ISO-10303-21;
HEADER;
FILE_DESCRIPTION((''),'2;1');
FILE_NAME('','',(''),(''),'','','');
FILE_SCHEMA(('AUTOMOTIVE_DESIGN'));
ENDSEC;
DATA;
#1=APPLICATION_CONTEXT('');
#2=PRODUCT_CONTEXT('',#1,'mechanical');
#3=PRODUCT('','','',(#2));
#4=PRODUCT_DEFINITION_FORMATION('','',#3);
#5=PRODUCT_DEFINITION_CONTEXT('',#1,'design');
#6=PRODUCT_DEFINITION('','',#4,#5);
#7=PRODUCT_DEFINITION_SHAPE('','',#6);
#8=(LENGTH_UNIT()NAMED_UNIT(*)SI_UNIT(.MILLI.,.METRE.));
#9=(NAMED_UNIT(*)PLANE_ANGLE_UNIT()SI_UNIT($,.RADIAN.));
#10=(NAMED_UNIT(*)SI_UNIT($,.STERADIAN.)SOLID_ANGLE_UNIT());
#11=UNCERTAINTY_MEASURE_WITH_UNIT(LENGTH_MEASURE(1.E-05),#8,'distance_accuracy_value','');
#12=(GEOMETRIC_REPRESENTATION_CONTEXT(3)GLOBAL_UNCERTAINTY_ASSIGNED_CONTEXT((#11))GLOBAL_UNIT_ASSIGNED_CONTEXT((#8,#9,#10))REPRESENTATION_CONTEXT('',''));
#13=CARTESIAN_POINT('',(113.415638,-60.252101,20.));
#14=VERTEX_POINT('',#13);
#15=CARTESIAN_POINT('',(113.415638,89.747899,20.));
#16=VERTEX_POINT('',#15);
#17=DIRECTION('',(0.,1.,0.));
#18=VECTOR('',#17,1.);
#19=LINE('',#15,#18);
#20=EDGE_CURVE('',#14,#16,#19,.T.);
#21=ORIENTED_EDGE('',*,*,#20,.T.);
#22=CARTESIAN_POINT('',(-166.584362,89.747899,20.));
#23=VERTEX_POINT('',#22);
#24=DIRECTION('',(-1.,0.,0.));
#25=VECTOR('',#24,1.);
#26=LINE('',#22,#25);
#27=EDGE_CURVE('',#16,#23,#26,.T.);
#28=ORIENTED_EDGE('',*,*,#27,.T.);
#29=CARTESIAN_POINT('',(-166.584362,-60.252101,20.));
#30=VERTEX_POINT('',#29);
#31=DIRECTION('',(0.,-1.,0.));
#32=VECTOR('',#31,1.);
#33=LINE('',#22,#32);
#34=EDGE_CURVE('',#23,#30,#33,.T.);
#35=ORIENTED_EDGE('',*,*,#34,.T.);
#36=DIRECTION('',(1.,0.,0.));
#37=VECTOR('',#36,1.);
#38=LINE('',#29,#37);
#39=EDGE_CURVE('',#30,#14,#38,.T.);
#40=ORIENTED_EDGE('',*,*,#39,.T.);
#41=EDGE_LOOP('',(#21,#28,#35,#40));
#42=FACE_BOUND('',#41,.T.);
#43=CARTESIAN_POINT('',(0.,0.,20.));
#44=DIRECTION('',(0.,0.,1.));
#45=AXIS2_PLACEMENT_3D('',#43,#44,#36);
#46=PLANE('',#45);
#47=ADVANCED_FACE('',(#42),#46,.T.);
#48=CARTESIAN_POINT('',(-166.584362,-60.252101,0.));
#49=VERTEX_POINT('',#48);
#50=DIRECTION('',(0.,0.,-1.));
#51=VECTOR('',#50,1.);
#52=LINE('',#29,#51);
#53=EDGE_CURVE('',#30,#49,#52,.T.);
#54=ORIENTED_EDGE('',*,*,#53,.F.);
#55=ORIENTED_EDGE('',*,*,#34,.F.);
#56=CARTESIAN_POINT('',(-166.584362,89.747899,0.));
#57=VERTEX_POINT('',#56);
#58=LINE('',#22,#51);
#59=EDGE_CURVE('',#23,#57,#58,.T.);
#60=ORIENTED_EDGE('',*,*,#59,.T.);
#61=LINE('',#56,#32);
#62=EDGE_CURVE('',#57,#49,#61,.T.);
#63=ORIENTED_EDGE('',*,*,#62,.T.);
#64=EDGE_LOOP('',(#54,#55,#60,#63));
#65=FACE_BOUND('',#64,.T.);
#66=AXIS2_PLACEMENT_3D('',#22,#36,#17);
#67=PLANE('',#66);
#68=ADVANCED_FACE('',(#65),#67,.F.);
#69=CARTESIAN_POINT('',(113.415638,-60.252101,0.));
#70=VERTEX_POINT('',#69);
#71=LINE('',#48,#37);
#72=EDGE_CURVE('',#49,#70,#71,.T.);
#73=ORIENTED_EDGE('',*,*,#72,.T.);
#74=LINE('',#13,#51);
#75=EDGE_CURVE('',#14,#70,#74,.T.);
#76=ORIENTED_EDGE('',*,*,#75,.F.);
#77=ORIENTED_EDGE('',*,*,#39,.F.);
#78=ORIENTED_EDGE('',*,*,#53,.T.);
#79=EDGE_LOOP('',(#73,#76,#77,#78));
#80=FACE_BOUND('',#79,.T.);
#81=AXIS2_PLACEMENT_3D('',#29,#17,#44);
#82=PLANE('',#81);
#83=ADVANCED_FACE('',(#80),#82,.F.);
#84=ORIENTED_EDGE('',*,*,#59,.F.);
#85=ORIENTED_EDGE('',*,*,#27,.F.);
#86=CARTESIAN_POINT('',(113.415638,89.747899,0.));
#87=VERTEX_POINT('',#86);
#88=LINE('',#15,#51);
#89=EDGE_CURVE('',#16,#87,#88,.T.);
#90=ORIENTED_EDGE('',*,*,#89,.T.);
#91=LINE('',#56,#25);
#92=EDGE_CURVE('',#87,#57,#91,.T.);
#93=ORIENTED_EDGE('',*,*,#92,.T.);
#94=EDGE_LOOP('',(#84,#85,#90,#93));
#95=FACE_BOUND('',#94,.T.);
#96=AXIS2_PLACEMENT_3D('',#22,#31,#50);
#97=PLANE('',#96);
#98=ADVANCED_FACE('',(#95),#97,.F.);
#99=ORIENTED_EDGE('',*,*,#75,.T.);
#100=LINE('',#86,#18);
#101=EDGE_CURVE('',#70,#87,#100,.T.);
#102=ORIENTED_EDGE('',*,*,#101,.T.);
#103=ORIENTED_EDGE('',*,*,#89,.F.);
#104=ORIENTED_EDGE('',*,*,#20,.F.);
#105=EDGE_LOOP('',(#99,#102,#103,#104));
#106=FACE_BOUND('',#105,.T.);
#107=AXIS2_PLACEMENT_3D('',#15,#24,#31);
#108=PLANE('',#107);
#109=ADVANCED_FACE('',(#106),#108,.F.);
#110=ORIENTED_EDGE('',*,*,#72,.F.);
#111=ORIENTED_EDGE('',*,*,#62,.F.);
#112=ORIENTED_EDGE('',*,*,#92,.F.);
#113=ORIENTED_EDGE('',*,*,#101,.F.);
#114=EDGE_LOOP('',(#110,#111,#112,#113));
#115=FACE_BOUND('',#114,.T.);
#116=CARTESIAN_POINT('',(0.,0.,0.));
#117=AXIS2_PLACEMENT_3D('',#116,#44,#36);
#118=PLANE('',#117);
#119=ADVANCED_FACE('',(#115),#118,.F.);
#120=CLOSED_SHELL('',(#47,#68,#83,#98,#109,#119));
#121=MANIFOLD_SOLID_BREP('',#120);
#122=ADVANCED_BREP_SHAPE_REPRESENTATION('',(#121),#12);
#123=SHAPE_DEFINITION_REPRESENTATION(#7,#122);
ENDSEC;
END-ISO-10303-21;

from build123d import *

# Parameters (mm, degrees)
CROQUIS1_W              = 280
CROQUIS1_H              = 150
SALIENTE_EXTRUIR1_DEPTH = 20


with BuildPart() as part:
    # Croquis1 → Saliente-Extruir1 (new body)
    with BuildSketch(Plane.XY):
        with Locations((-26.58436214, 14.74789916)):
            Rectangle(CROQUIS1_W, CROQUIS1_H)
    extrude(amount=SALIENTE_EXTRUIR1_DEPTH)


solid = part.part
